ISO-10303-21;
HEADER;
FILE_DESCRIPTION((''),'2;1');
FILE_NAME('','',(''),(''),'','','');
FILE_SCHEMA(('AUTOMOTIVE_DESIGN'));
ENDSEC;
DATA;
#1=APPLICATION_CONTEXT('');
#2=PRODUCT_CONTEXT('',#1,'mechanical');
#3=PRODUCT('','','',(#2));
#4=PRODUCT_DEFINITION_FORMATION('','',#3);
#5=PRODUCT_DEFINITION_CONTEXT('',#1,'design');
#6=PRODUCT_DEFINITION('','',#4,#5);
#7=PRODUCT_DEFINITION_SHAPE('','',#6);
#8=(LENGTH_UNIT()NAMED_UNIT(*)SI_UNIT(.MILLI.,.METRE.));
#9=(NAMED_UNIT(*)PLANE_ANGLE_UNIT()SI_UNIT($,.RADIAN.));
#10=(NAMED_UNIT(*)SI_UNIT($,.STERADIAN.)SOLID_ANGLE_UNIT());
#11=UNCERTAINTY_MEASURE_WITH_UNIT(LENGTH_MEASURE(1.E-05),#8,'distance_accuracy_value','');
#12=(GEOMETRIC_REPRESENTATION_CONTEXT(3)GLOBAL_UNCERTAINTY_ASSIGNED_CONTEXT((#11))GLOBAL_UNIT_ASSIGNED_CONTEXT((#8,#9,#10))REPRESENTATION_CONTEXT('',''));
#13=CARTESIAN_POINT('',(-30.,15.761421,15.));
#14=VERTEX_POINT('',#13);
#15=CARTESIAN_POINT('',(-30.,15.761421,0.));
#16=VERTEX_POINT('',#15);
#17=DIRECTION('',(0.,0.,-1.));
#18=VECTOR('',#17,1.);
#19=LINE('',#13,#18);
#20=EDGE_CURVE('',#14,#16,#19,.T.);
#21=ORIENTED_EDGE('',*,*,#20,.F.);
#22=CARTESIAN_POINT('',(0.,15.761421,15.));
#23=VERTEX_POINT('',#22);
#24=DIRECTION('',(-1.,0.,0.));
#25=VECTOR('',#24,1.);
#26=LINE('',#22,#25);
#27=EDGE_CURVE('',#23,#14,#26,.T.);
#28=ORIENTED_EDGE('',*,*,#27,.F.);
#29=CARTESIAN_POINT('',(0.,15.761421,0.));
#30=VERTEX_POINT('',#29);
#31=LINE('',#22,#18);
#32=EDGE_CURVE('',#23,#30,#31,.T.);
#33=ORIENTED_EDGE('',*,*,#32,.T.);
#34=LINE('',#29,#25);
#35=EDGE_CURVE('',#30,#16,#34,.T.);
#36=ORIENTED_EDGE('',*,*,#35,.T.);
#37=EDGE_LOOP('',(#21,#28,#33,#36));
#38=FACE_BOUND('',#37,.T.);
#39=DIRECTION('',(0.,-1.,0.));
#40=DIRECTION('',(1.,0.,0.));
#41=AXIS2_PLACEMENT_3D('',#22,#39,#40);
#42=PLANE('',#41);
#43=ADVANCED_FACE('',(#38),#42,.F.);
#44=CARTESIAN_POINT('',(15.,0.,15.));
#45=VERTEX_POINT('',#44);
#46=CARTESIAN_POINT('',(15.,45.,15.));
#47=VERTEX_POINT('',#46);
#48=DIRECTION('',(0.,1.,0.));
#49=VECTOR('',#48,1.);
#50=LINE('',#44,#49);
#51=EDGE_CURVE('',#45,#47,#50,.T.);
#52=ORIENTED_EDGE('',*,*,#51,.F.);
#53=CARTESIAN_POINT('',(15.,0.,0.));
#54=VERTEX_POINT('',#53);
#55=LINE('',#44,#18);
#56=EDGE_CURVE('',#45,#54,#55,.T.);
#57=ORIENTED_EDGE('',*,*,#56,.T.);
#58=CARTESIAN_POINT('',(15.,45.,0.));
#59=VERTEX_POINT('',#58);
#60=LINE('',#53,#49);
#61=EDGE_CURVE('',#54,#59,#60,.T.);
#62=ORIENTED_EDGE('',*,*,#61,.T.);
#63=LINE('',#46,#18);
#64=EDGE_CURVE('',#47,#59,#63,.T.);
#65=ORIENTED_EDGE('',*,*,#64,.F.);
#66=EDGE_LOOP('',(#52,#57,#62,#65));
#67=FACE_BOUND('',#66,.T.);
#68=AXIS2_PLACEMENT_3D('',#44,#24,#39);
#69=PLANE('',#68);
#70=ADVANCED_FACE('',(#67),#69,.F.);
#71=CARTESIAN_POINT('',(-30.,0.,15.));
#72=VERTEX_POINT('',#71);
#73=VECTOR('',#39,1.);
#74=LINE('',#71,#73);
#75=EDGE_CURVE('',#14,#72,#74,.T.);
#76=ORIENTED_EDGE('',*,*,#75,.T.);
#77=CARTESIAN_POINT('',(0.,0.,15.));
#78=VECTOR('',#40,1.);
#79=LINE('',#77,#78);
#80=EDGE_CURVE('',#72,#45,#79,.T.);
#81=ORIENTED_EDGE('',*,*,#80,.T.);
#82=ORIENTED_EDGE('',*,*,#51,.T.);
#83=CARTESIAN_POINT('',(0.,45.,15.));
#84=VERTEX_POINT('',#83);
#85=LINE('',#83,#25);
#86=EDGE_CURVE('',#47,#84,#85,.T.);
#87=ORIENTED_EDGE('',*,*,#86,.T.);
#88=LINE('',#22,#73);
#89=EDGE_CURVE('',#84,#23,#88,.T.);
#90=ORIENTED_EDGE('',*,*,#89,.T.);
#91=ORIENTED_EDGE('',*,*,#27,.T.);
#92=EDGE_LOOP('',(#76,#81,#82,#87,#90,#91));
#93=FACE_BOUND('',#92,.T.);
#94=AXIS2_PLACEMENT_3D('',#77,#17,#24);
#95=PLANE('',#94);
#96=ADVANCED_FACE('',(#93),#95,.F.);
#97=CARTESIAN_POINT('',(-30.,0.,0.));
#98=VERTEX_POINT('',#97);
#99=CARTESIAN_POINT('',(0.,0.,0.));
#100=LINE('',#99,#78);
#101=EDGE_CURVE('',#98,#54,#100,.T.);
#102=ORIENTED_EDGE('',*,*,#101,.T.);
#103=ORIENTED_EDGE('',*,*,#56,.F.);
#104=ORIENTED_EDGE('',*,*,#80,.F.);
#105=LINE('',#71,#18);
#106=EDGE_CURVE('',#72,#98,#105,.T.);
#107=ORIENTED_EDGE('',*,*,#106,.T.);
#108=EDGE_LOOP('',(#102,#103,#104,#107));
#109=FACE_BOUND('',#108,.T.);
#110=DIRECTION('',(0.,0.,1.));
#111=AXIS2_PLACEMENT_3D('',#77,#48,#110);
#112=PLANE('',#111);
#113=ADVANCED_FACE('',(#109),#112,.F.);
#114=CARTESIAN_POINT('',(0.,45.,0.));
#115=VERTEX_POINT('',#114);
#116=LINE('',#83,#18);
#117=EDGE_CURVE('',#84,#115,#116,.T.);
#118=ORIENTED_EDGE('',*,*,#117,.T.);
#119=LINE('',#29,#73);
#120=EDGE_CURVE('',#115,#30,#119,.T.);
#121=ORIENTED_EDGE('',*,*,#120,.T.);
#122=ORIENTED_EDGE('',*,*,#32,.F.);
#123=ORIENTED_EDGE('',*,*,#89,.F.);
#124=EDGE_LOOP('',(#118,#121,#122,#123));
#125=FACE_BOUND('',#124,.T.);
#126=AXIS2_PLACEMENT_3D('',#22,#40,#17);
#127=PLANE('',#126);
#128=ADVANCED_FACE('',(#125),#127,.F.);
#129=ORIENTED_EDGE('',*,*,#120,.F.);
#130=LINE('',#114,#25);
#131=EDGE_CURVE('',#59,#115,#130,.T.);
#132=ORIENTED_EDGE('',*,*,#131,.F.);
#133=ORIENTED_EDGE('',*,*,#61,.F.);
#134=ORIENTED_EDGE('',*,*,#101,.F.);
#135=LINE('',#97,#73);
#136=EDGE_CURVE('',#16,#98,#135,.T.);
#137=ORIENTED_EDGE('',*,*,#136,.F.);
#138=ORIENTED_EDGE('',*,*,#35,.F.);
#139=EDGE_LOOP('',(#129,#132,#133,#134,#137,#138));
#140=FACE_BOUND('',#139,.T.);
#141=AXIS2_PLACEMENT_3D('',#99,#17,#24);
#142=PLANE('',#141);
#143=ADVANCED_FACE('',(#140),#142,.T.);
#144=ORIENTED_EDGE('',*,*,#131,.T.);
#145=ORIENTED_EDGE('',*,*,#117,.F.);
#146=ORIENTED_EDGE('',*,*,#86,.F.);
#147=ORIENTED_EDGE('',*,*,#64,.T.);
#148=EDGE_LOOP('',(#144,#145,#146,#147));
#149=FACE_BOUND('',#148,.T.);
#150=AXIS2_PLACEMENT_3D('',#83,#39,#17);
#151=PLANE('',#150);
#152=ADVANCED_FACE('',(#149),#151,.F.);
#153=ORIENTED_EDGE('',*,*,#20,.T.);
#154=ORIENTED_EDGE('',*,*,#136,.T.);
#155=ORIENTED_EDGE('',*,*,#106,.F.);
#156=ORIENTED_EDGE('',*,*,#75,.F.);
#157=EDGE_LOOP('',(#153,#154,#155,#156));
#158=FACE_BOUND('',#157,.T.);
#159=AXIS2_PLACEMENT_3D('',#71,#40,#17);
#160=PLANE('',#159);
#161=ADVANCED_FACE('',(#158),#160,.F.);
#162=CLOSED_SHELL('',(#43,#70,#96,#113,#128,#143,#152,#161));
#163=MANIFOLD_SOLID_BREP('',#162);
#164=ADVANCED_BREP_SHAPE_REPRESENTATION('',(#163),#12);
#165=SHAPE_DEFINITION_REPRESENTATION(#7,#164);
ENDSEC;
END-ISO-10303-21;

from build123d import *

# Parameters (mm, degrees)
BOSS_EXTRUDE1_DEPTH = 15


with BuildPart() as part:
    # Sketch1 → Boss-Extrude1 (new body)
    with BuildSketch(Plane.XY):
        Polygon((0, 0), (15, 0), (15, 45), (0, 45), (0, 15.76142132), (-30, 15.76142132), (-30, 0), align=None)
    extrude(amount=BOSS_EXTRUDE1_DEPTH)


solid = part.part
